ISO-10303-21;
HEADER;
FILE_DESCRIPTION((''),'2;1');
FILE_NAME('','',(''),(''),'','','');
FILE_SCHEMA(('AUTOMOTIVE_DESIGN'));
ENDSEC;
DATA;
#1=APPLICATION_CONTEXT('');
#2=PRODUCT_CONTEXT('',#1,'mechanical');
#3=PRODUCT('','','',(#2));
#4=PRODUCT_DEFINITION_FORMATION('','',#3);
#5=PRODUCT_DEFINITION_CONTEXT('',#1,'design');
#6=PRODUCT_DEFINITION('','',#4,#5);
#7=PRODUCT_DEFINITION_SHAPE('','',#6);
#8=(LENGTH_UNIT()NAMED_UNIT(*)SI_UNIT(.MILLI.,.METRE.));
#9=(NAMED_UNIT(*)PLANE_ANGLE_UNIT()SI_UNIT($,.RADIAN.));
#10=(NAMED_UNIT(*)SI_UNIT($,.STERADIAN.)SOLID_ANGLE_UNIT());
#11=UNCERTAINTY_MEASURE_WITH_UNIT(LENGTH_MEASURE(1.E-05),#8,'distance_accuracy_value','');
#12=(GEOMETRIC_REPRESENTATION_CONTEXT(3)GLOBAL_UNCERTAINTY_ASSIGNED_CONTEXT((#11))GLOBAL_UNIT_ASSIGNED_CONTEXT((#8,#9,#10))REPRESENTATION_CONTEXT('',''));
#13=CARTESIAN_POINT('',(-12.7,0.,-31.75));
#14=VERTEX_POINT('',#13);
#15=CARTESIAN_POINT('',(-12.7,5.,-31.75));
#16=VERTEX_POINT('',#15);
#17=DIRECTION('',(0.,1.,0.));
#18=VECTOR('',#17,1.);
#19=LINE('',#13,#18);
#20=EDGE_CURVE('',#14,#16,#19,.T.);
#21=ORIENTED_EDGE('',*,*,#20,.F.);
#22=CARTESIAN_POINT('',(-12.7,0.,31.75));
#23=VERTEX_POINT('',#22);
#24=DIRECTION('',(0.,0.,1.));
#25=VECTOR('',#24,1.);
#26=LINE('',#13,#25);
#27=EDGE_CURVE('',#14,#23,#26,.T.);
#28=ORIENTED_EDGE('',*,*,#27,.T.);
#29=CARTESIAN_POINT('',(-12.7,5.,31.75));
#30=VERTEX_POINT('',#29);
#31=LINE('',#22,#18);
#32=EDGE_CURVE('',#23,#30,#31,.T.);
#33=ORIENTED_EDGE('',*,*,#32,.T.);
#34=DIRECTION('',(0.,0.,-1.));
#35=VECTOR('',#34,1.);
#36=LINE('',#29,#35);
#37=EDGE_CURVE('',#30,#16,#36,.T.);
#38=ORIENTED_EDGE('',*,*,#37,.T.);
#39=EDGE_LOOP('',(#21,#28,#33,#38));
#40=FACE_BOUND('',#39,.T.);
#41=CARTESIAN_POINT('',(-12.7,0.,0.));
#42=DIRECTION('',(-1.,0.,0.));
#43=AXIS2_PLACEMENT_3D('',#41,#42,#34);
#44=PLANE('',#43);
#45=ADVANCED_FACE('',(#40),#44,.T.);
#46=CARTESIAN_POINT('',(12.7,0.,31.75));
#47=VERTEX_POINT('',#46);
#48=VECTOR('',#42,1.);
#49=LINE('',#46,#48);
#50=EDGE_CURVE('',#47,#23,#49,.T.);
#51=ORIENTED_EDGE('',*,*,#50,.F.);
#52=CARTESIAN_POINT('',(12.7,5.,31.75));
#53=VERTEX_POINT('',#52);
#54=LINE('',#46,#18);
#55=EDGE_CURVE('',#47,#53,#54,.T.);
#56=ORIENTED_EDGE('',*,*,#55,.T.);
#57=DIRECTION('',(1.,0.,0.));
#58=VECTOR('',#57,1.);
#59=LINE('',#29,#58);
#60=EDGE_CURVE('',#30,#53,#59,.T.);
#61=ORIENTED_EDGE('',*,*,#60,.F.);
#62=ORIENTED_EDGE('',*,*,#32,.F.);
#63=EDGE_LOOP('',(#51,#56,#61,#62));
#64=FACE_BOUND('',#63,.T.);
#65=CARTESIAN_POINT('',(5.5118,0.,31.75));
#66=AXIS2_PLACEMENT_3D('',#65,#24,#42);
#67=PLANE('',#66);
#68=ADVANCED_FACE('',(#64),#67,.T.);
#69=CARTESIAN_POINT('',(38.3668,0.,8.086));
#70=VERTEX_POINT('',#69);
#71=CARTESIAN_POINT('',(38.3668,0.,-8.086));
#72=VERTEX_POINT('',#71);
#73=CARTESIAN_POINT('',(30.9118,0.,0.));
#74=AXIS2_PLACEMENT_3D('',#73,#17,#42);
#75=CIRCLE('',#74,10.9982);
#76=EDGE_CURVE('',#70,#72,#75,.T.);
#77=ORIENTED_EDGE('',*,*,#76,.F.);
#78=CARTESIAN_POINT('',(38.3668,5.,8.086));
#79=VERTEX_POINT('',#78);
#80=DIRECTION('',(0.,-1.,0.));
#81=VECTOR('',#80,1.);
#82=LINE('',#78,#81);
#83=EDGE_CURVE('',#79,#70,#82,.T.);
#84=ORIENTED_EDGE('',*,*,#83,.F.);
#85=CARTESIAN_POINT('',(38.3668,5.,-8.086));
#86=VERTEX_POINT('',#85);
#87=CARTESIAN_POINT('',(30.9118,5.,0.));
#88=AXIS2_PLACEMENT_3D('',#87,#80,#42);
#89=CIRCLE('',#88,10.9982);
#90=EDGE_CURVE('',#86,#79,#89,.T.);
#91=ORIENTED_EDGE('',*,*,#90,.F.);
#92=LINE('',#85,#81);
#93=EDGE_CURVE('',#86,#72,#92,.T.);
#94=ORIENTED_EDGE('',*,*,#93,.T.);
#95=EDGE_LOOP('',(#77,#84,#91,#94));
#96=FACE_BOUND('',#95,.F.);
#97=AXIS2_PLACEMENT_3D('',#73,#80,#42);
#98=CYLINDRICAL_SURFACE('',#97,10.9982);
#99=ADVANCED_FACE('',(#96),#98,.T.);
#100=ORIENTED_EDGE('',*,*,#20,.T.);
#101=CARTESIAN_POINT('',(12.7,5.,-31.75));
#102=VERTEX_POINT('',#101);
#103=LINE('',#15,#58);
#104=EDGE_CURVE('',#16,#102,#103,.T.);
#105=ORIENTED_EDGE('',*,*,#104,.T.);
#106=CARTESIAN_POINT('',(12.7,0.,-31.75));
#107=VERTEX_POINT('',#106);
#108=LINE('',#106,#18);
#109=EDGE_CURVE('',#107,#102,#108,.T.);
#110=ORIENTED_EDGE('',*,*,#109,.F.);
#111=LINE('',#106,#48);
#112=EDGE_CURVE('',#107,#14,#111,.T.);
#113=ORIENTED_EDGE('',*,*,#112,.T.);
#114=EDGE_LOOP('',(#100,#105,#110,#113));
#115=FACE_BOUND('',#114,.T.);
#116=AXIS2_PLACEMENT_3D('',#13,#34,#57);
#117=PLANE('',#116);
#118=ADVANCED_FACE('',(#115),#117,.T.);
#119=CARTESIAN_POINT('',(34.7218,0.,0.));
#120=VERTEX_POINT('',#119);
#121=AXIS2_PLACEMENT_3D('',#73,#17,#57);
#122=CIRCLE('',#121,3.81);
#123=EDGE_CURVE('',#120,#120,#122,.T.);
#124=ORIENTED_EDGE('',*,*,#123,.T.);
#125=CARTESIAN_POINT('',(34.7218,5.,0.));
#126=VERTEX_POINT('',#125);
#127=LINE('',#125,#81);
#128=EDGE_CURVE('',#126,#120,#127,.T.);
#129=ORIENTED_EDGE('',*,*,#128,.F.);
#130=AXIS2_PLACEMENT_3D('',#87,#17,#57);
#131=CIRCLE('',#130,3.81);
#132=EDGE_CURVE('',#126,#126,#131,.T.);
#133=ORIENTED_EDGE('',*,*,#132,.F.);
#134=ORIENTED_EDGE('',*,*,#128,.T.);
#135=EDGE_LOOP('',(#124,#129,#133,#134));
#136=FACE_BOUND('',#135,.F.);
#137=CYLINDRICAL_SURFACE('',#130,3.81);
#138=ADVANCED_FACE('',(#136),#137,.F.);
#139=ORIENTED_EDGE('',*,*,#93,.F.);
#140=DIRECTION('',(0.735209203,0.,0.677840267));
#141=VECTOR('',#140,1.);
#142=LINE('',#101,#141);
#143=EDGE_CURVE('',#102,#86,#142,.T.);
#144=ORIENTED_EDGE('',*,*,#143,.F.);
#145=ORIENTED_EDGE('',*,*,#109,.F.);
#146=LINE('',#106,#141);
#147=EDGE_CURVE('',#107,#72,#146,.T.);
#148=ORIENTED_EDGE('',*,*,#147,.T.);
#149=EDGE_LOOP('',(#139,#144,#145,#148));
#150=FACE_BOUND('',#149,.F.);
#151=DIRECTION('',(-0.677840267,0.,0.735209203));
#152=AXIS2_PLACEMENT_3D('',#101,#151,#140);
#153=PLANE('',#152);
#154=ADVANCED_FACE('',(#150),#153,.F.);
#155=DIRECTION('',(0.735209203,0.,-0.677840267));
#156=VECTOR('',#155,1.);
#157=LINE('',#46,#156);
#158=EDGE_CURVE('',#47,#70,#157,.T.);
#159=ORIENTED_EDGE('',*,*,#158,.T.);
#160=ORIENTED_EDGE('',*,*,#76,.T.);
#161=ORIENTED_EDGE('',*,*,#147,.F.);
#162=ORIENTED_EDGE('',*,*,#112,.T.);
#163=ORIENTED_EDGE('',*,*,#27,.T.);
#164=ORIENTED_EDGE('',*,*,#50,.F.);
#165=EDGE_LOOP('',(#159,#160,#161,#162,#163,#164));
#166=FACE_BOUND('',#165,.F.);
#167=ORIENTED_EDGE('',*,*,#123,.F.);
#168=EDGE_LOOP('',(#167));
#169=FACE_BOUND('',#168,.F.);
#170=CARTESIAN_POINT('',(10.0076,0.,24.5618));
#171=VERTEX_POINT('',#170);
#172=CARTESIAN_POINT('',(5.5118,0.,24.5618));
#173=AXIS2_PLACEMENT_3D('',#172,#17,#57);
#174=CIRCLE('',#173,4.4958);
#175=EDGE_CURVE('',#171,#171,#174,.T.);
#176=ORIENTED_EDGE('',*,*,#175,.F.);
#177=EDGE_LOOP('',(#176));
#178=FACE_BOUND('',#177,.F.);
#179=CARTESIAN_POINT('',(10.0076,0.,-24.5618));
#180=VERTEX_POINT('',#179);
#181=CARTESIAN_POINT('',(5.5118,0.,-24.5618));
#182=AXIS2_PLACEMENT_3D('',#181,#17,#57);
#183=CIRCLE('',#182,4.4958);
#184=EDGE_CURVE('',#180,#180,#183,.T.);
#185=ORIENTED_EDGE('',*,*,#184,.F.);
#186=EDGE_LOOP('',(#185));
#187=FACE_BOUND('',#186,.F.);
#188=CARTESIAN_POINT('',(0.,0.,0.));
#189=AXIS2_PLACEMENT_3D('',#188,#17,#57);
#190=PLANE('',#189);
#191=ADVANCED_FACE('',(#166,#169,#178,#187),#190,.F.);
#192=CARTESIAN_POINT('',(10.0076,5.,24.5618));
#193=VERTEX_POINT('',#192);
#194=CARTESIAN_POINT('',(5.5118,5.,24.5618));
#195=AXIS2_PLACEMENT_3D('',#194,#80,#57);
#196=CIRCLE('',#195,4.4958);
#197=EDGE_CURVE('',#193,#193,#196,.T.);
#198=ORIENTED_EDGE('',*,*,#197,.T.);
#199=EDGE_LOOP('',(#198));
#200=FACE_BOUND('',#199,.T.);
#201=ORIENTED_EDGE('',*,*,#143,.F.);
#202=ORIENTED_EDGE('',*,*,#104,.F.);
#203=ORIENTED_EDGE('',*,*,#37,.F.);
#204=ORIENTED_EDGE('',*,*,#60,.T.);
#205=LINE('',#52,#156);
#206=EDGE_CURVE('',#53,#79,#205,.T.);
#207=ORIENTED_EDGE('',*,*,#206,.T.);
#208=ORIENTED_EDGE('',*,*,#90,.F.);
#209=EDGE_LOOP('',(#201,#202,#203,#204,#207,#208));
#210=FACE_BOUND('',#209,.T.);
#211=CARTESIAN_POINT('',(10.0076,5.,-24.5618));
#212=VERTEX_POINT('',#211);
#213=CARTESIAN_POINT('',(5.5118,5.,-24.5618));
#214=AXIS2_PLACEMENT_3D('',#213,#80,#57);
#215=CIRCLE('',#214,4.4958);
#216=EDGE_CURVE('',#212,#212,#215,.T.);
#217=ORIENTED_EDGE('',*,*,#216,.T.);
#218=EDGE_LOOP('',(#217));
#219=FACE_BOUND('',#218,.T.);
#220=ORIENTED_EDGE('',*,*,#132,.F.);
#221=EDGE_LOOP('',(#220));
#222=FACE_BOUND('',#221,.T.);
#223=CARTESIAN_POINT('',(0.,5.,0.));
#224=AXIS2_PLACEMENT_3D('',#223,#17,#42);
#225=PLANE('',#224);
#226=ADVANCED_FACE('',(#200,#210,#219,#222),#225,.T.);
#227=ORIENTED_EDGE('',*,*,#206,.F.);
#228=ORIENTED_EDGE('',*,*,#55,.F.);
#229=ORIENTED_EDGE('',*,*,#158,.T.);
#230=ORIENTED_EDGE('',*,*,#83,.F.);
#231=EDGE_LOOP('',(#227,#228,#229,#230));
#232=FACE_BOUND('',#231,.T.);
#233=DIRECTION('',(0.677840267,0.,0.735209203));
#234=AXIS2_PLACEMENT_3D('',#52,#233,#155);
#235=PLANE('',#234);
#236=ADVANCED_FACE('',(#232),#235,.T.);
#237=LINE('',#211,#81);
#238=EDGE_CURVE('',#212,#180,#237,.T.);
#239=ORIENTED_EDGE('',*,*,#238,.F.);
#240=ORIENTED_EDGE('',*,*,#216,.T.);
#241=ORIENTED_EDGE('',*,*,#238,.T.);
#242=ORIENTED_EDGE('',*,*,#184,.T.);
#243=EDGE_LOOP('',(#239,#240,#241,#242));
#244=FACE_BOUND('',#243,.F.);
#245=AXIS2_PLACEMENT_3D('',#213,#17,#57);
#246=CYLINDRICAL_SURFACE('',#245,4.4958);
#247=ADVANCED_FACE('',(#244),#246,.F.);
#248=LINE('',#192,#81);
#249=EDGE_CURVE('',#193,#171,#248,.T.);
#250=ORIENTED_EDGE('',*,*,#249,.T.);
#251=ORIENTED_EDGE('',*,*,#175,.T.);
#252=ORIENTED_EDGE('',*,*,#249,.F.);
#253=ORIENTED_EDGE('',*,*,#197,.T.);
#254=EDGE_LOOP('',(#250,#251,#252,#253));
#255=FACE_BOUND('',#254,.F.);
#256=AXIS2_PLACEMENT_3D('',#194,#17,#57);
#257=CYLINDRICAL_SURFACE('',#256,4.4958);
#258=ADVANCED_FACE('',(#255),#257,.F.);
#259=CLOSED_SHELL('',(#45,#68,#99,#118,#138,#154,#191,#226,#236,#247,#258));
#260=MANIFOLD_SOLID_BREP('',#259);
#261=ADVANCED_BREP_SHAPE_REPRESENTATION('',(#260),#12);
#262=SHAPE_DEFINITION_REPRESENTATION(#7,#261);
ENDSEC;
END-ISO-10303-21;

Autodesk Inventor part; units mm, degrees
ref_plane "YZ Plane" through (0, 0, 0) normal (1, 0, 0) x (0, 1, 0)
ref_plane "XZ Plane" through (0, 0, 0) normal (0, 1, 0) x (-1, 0, 0)
ref_plane "XY Plane" through (0, 0, 0) normal (0, 0, 1) x (1, 0, 0)
sketch "Sketch1" plane through (0, 0, 0) normal (0, 1, 0) x (-1, 0, 0)
  line L0 (12.7, -31.75) -> (-12.7, -31.75)
  line L1 (-12.7, -31.75) -> (-12.7, 31.75)
  line L2 (-12.7, 31.75) -> (12.7, 31.75)
  line L3 (12.7, 31.75) -> (12.7, -31.75)
  line L4 (12.7, -31.75) -> (-12.7, 31.75) construction
  line L5 (-12.7, -31.75) -> (12.7, 31.75) construction
  line L6 (-5.5118, -31.75) -> (-5.5118, 31.75)
  line L7 (12.7, 0) -> (-12.7, 0)
  circle A0 centre (-5.5118, 24.5618) radius 3.5052
  circle A1 centre (-5.5118, -24.5618) radius 3.5052
  line L8 (88.6284, 0) -> (-89.1716, 0)
  circle A2 centre (-30.9118, 0) radius 3.81
  line L9 (12.7, 31.75) -> (-12.7, 31.75)
  circle A3 centre (-30.9118, 0) radius 10.9982
  point P0 (0, 0)
  dimension "d0" = 25.4
  dimension "d1" = 63.5
  dimension "d2" = 7.1882
  dimension "d3" = 7.1882
  dimension "d4" = 7.0104
  dimension "d5" = 7.62
  dimension "d6" = 177.8
  dimension "d7" = 0
  dimension "d8" = 25.4
  dimension "d10" = 7.1882
extrude "Extrusion1" add sketch "Sketch1" along normal blind 5
sketch "Sketch2" plane through (0, 5, 0) normal (0, 1, 0) x (1, 0, 0)
  line L0 (12.7, -31.75) -> (38.3668, -8.086)
  circle A0 centre (30.9118, 0) radius 10.9982 projected
  circle A1 centre (30.9118, 0) radius 10.9982 projected
  line L1 (-12.7, 31.75) -> (-12.7, -31.75) projected
  line L2 (-12.7, 0) -> (12.7, 0)
  line L3 (12.7, -31.75) -> (12.7, 31.75) projected
  line L4 (12.7, 31.75) -> (38.3668, 8.086)
  line L5 (38.3668, 8.086) -> (38.3668, -8.086)
  line L6 (12.7, -31.75) -> (12.7, 31.75)
  point P0 (0, 0)
extrude "Extrusion2" add sketch "Sketch2" against normal up to surface (5 mm away) contours L3 L4 A0 L0 | A0 L5 picked at (33.4709, -2.7618)
sketch "Sketch3" plane through (0, 5, 0) normal (0, 1, 0) x (1, 0, 0)
  line L0 (12.7, 31.75) -> (12.7, -31.75)
  line L1 (12.7, 31.75) -> (-12.7, 31.75) projected
  line L2 (5.5118, 31.75) -> (5.5118, -31.75)
  line L3 (-12.7, -31.75) -> (12.7, -31.75) projected
  circle A0 centre (5.5118, 24.5618) radius 4.4958
  line L4 (-12.7, 31.75) -> (-12.7, -31.75) projected
  line L5 (-12.7, 0) -> (12.7, 0)
  circle A1 centre (5.5118, -24.5618) radius 4.4958
  circle A2 centre (30.9118, 0) radius 3.81
  point P0 (0, 0)
  dimension "d15" = 7.1882
  dimension "d16" = 7.1882
  dimension "d17" = 8.9916
  dimension "d18" = 25.4
  dimension "d19" = 7.62
extrude "Extrusion3" cut sketch "Sketch3" against normal through all contours A0 L2 | L2 A0 | A1 L2 | L2 A1 | A2
properties part number "Foundation 6_2"
